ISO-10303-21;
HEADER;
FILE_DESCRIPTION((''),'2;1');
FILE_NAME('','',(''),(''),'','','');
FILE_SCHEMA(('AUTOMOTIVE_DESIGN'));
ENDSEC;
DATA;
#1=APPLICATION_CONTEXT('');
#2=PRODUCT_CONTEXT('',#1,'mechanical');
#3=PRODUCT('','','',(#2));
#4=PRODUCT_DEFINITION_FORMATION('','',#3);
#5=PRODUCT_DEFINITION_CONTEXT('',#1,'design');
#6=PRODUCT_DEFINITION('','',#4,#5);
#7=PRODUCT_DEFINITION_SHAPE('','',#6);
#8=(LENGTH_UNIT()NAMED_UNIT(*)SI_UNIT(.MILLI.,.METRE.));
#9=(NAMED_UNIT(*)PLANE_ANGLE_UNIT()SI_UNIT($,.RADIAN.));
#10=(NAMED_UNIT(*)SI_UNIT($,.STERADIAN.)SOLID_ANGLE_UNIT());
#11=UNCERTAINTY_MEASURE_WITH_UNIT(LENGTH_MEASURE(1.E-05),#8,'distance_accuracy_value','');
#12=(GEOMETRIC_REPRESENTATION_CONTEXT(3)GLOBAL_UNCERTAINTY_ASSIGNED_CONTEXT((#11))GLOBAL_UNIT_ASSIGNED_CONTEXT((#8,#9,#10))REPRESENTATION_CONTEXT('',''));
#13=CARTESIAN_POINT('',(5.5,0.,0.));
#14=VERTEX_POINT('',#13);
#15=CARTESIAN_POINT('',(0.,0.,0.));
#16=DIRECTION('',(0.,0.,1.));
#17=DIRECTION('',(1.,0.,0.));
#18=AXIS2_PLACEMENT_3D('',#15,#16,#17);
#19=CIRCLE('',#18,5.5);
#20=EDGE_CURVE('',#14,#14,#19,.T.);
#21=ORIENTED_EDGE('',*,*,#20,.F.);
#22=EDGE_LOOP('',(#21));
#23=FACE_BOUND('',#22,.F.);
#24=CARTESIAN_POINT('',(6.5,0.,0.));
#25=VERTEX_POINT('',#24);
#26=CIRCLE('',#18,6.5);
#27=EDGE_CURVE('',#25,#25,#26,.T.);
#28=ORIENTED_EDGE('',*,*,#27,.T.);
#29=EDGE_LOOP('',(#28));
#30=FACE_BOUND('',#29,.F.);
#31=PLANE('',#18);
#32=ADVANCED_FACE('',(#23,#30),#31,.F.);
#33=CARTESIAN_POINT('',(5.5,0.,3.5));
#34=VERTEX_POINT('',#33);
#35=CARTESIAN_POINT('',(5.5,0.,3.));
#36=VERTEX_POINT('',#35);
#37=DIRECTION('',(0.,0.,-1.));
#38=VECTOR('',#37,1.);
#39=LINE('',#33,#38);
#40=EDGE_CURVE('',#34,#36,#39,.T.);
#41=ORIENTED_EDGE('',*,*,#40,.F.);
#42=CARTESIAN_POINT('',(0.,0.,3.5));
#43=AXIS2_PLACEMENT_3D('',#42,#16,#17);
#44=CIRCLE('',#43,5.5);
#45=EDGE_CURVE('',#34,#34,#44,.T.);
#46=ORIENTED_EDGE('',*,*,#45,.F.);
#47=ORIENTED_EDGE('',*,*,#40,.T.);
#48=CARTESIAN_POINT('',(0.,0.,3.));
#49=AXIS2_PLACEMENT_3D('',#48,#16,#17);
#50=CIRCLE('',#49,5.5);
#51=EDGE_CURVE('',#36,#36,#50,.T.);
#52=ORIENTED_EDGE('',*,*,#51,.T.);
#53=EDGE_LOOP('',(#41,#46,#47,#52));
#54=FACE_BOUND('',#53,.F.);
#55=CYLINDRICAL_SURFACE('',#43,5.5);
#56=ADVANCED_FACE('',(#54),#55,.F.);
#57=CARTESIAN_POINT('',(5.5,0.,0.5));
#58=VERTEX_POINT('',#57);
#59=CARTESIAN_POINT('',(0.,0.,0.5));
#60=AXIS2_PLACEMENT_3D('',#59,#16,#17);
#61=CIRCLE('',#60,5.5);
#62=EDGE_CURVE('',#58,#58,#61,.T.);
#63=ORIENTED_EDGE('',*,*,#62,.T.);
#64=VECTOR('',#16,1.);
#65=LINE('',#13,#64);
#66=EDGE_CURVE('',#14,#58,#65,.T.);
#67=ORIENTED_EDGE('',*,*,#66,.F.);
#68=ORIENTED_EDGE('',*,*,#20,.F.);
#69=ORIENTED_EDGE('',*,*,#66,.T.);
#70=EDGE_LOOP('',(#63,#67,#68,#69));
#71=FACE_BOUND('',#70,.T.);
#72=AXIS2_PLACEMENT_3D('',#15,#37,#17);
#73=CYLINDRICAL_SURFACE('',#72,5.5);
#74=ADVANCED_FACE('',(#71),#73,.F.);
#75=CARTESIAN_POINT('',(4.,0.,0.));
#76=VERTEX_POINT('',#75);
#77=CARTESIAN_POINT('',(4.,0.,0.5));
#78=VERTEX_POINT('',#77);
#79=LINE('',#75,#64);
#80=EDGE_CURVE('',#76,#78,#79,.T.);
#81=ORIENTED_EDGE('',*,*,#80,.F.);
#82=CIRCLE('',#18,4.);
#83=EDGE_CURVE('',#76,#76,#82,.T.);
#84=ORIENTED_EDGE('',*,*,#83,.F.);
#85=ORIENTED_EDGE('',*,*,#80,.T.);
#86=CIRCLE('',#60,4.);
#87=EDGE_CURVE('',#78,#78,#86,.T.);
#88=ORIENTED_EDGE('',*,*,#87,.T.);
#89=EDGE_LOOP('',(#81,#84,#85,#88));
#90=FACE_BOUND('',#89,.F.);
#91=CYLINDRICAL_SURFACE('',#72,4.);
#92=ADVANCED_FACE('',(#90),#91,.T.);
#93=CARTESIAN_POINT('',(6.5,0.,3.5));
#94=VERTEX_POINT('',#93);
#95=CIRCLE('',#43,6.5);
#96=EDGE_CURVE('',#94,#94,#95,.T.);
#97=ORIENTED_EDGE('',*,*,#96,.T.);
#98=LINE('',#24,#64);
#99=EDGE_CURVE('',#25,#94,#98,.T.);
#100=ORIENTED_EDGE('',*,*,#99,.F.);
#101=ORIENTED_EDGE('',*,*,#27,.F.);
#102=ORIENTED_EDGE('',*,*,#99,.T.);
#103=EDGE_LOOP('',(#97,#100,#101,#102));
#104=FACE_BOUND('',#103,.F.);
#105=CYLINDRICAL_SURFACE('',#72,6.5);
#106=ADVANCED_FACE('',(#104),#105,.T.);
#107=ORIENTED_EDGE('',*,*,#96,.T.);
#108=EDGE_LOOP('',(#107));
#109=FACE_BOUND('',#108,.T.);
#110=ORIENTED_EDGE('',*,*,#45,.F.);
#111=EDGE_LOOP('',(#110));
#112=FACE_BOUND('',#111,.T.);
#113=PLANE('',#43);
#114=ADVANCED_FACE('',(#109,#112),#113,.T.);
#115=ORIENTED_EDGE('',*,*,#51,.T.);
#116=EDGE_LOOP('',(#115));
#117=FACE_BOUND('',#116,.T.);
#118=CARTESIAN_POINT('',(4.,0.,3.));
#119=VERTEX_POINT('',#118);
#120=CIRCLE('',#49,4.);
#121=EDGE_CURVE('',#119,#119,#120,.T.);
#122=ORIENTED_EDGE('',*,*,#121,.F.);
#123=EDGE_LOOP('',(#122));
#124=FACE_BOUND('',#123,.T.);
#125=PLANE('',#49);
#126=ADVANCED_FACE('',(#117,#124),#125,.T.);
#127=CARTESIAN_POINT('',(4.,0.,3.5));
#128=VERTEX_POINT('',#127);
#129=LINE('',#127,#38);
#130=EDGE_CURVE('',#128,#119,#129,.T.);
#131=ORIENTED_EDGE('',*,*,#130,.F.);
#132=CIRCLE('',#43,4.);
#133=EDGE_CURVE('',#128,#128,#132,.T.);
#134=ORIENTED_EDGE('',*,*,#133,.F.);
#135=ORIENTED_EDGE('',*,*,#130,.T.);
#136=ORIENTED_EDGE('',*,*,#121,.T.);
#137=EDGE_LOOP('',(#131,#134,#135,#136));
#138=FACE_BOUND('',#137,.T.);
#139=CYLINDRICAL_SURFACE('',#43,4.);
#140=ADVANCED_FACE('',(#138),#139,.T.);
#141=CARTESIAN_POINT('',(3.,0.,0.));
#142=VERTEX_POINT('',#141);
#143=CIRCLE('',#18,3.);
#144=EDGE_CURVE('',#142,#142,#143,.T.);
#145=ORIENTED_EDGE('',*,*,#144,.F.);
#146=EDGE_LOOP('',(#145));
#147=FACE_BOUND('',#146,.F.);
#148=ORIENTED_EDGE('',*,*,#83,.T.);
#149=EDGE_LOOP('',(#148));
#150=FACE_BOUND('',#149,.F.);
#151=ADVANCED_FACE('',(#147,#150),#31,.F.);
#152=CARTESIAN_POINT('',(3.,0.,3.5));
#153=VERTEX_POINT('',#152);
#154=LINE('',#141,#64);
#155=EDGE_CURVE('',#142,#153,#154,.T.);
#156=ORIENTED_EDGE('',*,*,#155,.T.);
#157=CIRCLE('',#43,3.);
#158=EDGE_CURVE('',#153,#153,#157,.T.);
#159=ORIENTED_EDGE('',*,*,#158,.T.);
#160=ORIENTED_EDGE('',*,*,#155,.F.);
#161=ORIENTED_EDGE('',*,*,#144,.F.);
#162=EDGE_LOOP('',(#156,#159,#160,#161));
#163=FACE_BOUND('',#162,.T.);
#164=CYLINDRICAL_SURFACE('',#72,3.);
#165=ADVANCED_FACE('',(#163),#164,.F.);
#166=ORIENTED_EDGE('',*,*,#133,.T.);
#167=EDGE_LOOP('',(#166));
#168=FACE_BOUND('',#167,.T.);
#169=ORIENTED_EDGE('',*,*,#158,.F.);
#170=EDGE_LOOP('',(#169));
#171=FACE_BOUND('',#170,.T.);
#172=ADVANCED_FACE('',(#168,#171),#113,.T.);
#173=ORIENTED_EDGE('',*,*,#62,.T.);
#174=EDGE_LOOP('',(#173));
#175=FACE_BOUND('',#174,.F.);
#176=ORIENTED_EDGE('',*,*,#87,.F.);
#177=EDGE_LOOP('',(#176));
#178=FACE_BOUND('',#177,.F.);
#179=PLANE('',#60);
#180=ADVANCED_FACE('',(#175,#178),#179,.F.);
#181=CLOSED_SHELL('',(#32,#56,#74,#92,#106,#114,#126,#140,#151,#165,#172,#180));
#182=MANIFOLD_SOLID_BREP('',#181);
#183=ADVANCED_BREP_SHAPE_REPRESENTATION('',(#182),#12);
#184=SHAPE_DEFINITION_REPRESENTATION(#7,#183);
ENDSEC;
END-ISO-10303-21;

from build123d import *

# Parameters (mm, degrees)
SKETCH048_R     = 6.5
SKETCH048_R_2   = 3
PAD021_DEPTH    = 3.5
SKETCH049_R     = 5.5
SKETCH049_R_2   = 4
POCKET027_DEPTH = 0.5
SKETCH050_R     = 5.5
SKETCH050_R_2   = 4
POCKET028_DEPTH = 0.5


with BuildPart() as part:
    # Sketch048 → Pad021 (new body)
    with BuildSketch(Plane.XY):
        Circle(SKETCH048_R)
        Circle(SKETCH048_R_2, mode=Mode.SUBTRACT)
    extrude(amount=PAD021_DEPTH)

    # Sketch049 → Pocket027 (cut)
    with BuildSketch(Plane.XY.offset(3.5)):
        Circle(SKETCH049_R)
        Circle(SKETCH049_R_2, mode=Mode.SUBTRACT)
    extrude(amount=-POCKET027_DEPTH, mode=Mode.SUBTRACT)

    # Sketch050 → Pocket028 (cut)
    with BuildSketch(Plane.XY):
        Circle(SKETCH050_R)
        Circle(SKETCH050_R_2, mode=Mode.SUBTRACT)
    extrude(amount=POCKET028_DEPTH, mode=Mode.SUBTRACT)


solid = part.part
